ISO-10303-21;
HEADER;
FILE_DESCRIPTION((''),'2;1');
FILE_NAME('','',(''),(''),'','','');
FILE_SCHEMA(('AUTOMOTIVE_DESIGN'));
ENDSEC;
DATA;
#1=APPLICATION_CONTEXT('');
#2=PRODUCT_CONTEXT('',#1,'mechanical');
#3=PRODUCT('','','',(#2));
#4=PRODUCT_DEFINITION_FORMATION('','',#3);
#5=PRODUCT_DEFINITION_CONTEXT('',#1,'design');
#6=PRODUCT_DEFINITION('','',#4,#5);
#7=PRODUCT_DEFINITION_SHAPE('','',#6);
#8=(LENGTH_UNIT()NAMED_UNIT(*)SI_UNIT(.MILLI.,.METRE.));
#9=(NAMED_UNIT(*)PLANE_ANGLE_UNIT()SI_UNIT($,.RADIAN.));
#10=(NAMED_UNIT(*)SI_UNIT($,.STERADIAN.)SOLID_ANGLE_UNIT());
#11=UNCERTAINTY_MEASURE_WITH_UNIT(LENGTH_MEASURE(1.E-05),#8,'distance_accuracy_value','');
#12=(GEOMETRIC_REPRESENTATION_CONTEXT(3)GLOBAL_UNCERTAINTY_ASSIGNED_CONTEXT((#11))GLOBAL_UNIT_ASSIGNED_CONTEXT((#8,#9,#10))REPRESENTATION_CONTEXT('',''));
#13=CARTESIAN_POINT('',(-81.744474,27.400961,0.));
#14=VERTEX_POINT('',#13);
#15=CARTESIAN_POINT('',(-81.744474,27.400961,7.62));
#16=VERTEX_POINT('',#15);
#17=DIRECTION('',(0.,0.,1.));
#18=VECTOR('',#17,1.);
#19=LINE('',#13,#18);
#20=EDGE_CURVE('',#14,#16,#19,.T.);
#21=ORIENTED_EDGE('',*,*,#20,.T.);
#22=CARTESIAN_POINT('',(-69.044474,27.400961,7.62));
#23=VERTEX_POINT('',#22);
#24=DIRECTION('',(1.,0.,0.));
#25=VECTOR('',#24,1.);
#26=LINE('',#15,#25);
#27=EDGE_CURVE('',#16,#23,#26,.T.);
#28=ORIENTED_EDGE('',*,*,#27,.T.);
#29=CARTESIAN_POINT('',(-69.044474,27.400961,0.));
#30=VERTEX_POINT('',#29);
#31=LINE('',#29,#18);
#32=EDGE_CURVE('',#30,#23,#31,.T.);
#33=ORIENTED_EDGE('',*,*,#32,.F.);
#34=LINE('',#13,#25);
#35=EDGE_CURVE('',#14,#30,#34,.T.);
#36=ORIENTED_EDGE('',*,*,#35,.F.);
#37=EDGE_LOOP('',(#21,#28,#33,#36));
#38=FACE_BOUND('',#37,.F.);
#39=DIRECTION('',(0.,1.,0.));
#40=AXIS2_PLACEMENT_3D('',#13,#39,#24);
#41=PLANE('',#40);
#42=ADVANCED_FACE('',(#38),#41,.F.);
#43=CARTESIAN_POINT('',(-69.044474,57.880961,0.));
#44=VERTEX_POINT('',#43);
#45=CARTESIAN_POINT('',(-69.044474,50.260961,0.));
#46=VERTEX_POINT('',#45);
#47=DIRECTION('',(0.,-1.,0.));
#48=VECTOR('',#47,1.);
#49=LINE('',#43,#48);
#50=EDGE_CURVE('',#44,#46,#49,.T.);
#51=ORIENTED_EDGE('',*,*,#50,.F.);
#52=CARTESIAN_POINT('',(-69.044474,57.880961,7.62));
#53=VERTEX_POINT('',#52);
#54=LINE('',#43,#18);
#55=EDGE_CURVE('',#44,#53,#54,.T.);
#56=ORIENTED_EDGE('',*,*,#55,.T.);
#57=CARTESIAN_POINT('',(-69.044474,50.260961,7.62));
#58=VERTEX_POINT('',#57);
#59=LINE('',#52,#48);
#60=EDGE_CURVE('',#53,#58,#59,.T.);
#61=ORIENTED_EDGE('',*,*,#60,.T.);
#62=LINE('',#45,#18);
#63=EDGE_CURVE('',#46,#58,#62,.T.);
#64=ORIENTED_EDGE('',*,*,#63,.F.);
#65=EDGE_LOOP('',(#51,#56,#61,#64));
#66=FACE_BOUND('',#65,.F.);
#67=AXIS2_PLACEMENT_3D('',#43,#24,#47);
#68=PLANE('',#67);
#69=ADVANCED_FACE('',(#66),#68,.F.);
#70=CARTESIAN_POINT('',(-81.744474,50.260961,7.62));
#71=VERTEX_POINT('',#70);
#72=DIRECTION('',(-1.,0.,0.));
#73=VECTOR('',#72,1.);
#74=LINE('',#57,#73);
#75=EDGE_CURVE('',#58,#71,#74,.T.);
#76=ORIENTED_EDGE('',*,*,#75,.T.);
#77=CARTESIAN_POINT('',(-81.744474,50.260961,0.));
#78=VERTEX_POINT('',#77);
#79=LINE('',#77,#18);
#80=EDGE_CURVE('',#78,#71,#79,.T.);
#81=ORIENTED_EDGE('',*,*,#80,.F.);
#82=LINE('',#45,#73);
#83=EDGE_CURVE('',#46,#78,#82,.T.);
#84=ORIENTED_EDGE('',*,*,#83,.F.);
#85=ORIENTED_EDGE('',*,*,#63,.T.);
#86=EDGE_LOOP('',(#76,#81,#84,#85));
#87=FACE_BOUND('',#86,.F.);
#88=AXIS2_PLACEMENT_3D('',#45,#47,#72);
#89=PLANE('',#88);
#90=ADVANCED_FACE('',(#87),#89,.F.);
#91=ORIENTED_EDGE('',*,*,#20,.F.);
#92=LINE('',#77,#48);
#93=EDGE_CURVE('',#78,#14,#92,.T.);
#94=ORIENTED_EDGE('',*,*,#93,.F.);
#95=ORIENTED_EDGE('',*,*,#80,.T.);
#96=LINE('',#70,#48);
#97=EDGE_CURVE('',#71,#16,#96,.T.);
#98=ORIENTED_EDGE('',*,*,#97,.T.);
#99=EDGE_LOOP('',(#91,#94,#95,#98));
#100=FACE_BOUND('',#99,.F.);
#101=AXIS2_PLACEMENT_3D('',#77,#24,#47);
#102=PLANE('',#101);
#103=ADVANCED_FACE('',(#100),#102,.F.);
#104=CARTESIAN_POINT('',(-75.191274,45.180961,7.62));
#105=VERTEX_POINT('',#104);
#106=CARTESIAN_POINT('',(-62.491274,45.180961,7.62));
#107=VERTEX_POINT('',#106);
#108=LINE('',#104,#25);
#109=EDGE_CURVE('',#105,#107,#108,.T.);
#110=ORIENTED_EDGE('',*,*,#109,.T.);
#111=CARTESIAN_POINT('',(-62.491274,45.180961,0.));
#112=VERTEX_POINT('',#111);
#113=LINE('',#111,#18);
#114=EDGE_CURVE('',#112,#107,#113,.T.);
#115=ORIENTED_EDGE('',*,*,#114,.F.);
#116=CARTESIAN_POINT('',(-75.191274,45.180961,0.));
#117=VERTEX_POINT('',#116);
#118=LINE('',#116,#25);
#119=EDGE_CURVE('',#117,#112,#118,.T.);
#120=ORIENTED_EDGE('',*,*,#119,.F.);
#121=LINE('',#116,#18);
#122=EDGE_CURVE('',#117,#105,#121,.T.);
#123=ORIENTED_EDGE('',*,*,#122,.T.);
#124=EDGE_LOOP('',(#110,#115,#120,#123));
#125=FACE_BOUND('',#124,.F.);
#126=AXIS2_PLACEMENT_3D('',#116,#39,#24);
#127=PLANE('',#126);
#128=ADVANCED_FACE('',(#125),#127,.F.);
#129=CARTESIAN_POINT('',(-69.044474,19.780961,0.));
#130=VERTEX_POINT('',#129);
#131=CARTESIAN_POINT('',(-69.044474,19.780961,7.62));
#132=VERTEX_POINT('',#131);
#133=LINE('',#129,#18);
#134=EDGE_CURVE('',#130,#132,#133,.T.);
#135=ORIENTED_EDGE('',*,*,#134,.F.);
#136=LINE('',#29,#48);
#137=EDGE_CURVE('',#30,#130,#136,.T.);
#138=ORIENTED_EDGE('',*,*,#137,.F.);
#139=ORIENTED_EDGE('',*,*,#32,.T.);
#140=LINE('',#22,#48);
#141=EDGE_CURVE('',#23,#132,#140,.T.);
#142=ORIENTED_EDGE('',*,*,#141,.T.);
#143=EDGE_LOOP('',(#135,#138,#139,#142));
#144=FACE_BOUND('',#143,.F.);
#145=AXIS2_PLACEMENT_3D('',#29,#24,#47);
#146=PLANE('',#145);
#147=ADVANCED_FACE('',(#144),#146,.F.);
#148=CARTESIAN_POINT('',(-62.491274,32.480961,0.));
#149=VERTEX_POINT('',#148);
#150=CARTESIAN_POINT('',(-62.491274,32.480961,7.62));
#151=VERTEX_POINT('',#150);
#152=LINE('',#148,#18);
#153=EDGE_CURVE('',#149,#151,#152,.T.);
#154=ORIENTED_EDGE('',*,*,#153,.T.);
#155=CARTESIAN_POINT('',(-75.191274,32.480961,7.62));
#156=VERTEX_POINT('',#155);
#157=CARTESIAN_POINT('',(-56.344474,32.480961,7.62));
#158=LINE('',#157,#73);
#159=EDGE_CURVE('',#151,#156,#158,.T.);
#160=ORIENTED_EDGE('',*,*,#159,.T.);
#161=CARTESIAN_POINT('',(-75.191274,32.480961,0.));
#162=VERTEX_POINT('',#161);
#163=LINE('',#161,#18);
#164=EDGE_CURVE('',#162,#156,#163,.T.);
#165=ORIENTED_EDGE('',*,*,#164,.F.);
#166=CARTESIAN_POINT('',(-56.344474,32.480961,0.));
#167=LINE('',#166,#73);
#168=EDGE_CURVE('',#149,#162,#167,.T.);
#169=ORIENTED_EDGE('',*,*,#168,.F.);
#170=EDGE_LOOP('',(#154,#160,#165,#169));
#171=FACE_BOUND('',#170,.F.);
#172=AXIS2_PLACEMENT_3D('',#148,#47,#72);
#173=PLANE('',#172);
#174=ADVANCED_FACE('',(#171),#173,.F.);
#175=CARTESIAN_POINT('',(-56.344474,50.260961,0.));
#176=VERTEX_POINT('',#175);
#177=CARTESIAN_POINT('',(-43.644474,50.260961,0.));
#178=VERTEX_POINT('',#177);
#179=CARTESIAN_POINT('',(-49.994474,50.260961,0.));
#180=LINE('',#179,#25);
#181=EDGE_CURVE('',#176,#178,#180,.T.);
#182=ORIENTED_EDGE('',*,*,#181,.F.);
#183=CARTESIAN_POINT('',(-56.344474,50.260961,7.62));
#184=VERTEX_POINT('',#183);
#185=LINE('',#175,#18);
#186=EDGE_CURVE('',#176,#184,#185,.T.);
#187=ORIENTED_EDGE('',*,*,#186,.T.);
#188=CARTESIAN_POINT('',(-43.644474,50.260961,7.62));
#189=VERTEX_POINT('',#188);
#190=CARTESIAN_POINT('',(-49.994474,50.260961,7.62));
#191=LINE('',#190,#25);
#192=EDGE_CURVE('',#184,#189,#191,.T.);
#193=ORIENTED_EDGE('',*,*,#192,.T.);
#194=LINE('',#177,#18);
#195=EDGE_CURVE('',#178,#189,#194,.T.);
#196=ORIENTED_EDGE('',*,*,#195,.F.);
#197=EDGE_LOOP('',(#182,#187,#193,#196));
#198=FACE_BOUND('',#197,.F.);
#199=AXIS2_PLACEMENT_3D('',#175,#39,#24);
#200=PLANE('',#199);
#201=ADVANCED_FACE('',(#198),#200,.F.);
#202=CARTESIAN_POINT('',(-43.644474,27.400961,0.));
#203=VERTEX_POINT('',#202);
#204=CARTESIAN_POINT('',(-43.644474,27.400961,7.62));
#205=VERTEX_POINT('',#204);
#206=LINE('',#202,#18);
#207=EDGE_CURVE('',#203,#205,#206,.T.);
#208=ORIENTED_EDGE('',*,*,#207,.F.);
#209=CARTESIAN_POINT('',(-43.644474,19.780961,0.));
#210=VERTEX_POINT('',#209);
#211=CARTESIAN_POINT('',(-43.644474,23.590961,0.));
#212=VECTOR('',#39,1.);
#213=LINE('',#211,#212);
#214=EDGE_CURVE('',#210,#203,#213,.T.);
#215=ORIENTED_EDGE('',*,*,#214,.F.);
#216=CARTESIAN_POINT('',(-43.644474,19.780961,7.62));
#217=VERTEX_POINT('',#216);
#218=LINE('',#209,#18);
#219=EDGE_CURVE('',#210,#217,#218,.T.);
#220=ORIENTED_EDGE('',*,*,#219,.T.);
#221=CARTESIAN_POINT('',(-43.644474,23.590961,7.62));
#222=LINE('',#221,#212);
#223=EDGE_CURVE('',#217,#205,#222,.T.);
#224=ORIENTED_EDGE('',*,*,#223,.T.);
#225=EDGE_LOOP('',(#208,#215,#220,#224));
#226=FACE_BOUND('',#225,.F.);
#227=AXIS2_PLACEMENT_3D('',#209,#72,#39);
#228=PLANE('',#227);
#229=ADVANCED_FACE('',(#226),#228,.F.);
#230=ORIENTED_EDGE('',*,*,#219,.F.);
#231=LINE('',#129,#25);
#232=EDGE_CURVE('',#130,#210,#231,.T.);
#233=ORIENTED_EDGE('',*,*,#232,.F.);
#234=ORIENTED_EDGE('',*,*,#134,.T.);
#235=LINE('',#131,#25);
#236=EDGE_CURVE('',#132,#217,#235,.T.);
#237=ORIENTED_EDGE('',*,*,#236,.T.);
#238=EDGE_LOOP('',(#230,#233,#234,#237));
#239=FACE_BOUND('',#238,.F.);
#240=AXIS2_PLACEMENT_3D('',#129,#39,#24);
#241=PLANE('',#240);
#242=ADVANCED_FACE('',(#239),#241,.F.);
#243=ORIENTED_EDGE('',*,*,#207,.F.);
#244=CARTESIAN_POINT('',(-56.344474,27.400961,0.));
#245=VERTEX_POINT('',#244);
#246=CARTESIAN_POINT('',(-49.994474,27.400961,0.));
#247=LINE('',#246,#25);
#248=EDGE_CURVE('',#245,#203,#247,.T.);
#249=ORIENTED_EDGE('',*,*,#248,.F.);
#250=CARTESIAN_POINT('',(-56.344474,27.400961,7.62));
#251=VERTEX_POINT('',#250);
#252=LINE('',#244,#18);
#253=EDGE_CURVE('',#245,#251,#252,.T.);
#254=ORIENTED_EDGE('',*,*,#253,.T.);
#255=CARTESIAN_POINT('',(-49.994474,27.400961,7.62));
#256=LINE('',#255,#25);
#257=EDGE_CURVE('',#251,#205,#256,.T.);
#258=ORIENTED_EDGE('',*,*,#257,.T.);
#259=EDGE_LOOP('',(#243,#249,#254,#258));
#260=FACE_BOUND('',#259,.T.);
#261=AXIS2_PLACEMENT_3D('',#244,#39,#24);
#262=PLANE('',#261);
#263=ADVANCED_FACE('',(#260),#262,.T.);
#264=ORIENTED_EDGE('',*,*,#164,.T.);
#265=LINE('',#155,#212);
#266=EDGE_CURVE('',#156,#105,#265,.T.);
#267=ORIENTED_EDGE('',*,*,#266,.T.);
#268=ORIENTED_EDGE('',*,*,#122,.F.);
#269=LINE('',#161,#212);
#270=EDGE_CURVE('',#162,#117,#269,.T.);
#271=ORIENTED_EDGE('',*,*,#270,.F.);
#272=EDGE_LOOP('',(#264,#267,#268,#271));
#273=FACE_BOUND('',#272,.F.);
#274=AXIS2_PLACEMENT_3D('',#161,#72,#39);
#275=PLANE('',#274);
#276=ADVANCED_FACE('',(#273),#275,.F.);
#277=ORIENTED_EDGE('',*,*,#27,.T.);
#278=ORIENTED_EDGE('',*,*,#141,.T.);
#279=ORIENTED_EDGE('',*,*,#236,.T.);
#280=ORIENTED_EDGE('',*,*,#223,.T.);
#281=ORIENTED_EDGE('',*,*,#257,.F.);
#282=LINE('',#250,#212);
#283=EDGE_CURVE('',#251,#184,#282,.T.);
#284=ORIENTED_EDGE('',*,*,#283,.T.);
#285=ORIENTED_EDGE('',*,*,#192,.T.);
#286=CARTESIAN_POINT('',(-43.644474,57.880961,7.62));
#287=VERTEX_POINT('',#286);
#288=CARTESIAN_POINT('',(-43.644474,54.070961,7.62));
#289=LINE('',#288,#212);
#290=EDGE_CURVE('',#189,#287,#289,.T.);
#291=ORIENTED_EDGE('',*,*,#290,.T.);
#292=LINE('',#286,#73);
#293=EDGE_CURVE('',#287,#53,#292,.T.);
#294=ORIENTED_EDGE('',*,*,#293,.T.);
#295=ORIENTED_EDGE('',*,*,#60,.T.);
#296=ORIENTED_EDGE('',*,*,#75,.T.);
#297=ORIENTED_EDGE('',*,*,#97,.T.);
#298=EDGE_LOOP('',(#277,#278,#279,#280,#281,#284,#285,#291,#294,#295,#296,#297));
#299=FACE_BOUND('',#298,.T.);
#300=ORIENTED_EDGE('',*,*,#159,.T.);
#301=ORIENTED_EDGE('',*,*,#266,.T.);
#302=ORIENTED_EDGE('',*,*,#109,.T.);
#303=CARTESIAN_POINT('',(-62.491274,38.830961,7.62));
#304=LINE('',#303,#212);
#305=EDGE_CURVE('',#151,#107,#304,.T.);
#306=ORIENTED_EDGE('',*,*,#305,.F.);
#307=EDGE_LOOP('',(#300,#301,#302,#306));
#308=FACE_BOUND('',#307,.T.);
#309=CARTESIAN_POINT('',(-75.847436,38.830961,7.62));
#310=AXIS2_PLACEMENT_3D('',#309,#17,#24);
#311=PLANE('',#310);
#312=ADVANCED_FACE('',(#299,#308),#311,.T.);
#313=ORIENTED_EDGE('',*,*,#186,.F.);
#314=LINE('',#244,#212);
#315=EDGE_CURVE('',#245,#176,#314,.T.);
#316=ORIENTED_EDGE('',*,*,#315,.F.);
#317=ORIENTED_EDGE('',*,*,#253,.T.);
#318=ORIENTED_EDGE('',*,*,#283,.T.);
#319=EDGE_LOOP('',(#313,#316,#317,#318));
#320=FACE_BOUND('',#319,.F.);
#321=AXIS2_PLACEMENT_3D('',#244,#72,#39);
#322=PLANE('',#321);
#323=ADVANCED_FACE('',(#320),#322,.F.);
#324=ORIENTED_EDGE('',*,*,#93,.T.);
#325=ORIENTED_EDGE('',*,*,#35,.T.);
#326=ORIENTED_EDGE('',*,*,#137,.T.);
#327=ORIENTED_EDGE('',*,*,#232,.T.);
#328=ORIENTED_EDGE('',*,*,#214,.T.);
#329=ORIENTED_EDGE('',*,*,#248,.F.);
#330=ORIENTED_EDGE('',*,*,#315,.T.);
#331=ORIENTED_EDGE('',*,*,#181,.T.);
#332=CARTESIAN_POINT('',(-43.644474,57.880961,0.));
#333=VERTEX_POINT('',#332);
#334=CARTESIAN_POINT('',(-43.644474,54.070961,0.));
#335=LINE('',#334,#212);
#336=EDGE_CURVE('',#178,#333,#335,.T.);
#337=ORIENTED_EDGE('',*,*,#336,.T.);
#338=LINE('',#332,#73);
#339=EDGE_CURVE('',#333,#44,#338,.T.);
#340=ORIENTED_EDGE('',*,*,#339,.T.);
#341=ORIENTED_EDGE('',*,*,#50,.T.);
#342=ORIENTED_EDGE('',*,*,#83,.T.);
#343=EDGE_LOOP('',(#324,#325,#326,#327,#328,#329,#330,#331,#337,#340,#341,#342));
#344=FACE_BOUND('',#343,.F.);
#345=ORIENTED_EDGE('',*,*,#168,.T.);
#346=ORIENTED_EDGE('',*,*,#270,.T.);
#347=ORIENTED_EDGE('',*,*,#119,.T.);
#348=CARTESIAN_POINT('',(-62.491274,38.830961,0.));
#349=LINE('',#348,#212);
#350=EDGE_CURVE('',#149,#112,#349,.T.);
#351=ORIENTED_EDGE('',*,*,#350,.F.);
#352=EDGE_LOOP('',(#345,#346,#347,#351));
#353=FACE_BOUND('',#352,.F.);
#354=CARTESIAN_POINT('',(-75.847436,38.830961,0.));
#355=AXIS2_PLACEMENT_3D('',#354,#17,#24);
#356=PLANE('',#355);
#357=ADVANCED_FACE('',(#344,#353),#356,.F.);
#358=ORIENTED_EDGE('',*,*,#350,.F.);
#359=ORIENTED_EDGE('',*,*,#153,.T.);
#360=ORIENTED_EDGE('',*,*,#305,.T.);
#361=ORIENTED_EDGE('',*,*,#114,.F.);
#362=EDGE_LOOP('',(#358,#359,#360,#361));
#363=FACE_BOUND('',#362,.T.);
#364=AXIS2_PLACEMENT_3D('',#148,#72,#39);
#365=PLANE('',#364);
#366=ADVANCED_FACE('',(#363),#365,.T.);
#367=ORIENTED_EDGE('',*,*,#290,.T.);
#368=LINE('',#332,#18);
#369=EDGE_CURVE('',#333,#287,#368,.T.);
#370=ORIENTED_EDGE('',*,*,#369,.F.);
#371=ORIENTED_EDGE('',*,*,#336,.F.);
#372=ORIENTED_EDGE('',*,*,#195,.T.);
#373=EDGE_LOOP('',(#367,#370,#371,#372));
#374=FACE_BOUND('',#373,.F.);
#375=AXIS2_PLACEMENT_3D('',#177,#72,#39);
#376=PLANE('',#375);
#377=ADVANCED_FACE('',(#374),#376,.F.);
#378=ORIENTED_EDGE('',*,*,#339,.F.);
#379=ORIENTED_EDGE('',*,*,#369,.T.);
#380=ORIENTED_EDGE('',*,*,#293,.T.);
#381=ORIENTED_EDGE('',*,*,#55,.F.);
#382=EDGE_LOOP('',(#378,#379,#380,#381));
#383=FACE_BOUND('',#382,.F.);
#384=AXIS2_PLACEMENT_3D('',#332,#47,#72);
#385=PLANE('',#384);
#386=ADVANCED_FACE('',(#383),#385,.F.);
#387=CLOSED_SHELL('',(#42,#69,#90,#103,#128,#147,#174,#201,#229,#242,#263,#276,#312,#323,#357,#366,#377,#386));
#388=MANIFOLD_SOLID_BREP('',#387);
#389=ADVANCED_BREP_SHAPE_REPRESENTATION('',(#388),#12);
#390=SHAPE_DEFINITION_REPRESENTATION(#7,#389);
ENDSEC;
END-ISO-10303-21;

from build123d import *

# Parameters (mm, degrees)
F0_W     = 12.7
F0_H     = 7.62
F0_W_2   = 6.1468
F0_H_2   = 12.7
F1_DEPTH = 7.62
F2_R     = 25.4
F3_DEPTH = 25.4
F5_DEPTH = 25.4
F6_R     = 5.08


with BuildPart() as f1:
    # F0 (on Top) → F1 (new body)
    with BuildSketch(Plane.XY):
        Polygon((-69.044474, 45.180961), (-69.044474, 50.260961), (-81.744474, 50.260961), (-81.744474, 27.400961), (-69.044474, 27.400961), (-69.044474, 32.480961), (-75.191274, 32.480961), (-75.191274, 45.180961), align=None)
        Polygon((-56.344474, 57.880961), (-69.044474, 57.880961), (-69.044474, 50.260961), (-69.044474, 45.180961), (-62.491274, 45.180961), (-56.344474, 45.180961), (-56.344474, 50.260961), align=None)
        with Locations((-49.994474, 54.070961)):
            Rectangle(F0_W, F0_H)
        with Locations((-49.994474, 23.590961)):
            Rectangle(F0_W, F0_H)
        Polygon((-56.344474, 27.400961), (-56.344474, 32.480961), (-62.491274, 32.480961), (-69.044474, 32.480961), (-69.044474, 27.400961), (-69.044474, 19.780961), (-56.344474, 19.780961), align=None)
        with Locations((-59.417874, 38.830961)):
            Rectangle(F0_W_2, F0_H_2)
    extrude(amount=F1_DEPTH)


with BuildPart() as f3:
    # F2 (on Top) → F3 (new body)
    with BuildSketch(Plane.XY):
        with Locations((41.206498, 17.812403)):
            Circle(F2_R)
    extrude(amount=F3_DEPTH)


with BuildPart() as f5:
    # F4 (on Top) → F5 (new body)
    with BuildSketch(Plane.XY):
        Polygon((42.736534, 52.771983), (27.891826, 63.671286), (25.875106, 45.36574), align=None)
    extrude(amount=F5_DEPTH)

    # F6
    f6_edges = [f5.edges().sort_by_distance(p)[0] for p in [
        (35.31418, 58.221634, 25.4),
        (26.883466, 54.518513, 25.4),
        (34.30582, 49.068861, 25.4),
        (35.31418, 58.221634, 0),
        (26.883466, 54.518513, 0),
        (34.30582, 49.068861, 0),
    ]]
    fillet(f6_edges, radius=F6_R)


solid = f1.part
